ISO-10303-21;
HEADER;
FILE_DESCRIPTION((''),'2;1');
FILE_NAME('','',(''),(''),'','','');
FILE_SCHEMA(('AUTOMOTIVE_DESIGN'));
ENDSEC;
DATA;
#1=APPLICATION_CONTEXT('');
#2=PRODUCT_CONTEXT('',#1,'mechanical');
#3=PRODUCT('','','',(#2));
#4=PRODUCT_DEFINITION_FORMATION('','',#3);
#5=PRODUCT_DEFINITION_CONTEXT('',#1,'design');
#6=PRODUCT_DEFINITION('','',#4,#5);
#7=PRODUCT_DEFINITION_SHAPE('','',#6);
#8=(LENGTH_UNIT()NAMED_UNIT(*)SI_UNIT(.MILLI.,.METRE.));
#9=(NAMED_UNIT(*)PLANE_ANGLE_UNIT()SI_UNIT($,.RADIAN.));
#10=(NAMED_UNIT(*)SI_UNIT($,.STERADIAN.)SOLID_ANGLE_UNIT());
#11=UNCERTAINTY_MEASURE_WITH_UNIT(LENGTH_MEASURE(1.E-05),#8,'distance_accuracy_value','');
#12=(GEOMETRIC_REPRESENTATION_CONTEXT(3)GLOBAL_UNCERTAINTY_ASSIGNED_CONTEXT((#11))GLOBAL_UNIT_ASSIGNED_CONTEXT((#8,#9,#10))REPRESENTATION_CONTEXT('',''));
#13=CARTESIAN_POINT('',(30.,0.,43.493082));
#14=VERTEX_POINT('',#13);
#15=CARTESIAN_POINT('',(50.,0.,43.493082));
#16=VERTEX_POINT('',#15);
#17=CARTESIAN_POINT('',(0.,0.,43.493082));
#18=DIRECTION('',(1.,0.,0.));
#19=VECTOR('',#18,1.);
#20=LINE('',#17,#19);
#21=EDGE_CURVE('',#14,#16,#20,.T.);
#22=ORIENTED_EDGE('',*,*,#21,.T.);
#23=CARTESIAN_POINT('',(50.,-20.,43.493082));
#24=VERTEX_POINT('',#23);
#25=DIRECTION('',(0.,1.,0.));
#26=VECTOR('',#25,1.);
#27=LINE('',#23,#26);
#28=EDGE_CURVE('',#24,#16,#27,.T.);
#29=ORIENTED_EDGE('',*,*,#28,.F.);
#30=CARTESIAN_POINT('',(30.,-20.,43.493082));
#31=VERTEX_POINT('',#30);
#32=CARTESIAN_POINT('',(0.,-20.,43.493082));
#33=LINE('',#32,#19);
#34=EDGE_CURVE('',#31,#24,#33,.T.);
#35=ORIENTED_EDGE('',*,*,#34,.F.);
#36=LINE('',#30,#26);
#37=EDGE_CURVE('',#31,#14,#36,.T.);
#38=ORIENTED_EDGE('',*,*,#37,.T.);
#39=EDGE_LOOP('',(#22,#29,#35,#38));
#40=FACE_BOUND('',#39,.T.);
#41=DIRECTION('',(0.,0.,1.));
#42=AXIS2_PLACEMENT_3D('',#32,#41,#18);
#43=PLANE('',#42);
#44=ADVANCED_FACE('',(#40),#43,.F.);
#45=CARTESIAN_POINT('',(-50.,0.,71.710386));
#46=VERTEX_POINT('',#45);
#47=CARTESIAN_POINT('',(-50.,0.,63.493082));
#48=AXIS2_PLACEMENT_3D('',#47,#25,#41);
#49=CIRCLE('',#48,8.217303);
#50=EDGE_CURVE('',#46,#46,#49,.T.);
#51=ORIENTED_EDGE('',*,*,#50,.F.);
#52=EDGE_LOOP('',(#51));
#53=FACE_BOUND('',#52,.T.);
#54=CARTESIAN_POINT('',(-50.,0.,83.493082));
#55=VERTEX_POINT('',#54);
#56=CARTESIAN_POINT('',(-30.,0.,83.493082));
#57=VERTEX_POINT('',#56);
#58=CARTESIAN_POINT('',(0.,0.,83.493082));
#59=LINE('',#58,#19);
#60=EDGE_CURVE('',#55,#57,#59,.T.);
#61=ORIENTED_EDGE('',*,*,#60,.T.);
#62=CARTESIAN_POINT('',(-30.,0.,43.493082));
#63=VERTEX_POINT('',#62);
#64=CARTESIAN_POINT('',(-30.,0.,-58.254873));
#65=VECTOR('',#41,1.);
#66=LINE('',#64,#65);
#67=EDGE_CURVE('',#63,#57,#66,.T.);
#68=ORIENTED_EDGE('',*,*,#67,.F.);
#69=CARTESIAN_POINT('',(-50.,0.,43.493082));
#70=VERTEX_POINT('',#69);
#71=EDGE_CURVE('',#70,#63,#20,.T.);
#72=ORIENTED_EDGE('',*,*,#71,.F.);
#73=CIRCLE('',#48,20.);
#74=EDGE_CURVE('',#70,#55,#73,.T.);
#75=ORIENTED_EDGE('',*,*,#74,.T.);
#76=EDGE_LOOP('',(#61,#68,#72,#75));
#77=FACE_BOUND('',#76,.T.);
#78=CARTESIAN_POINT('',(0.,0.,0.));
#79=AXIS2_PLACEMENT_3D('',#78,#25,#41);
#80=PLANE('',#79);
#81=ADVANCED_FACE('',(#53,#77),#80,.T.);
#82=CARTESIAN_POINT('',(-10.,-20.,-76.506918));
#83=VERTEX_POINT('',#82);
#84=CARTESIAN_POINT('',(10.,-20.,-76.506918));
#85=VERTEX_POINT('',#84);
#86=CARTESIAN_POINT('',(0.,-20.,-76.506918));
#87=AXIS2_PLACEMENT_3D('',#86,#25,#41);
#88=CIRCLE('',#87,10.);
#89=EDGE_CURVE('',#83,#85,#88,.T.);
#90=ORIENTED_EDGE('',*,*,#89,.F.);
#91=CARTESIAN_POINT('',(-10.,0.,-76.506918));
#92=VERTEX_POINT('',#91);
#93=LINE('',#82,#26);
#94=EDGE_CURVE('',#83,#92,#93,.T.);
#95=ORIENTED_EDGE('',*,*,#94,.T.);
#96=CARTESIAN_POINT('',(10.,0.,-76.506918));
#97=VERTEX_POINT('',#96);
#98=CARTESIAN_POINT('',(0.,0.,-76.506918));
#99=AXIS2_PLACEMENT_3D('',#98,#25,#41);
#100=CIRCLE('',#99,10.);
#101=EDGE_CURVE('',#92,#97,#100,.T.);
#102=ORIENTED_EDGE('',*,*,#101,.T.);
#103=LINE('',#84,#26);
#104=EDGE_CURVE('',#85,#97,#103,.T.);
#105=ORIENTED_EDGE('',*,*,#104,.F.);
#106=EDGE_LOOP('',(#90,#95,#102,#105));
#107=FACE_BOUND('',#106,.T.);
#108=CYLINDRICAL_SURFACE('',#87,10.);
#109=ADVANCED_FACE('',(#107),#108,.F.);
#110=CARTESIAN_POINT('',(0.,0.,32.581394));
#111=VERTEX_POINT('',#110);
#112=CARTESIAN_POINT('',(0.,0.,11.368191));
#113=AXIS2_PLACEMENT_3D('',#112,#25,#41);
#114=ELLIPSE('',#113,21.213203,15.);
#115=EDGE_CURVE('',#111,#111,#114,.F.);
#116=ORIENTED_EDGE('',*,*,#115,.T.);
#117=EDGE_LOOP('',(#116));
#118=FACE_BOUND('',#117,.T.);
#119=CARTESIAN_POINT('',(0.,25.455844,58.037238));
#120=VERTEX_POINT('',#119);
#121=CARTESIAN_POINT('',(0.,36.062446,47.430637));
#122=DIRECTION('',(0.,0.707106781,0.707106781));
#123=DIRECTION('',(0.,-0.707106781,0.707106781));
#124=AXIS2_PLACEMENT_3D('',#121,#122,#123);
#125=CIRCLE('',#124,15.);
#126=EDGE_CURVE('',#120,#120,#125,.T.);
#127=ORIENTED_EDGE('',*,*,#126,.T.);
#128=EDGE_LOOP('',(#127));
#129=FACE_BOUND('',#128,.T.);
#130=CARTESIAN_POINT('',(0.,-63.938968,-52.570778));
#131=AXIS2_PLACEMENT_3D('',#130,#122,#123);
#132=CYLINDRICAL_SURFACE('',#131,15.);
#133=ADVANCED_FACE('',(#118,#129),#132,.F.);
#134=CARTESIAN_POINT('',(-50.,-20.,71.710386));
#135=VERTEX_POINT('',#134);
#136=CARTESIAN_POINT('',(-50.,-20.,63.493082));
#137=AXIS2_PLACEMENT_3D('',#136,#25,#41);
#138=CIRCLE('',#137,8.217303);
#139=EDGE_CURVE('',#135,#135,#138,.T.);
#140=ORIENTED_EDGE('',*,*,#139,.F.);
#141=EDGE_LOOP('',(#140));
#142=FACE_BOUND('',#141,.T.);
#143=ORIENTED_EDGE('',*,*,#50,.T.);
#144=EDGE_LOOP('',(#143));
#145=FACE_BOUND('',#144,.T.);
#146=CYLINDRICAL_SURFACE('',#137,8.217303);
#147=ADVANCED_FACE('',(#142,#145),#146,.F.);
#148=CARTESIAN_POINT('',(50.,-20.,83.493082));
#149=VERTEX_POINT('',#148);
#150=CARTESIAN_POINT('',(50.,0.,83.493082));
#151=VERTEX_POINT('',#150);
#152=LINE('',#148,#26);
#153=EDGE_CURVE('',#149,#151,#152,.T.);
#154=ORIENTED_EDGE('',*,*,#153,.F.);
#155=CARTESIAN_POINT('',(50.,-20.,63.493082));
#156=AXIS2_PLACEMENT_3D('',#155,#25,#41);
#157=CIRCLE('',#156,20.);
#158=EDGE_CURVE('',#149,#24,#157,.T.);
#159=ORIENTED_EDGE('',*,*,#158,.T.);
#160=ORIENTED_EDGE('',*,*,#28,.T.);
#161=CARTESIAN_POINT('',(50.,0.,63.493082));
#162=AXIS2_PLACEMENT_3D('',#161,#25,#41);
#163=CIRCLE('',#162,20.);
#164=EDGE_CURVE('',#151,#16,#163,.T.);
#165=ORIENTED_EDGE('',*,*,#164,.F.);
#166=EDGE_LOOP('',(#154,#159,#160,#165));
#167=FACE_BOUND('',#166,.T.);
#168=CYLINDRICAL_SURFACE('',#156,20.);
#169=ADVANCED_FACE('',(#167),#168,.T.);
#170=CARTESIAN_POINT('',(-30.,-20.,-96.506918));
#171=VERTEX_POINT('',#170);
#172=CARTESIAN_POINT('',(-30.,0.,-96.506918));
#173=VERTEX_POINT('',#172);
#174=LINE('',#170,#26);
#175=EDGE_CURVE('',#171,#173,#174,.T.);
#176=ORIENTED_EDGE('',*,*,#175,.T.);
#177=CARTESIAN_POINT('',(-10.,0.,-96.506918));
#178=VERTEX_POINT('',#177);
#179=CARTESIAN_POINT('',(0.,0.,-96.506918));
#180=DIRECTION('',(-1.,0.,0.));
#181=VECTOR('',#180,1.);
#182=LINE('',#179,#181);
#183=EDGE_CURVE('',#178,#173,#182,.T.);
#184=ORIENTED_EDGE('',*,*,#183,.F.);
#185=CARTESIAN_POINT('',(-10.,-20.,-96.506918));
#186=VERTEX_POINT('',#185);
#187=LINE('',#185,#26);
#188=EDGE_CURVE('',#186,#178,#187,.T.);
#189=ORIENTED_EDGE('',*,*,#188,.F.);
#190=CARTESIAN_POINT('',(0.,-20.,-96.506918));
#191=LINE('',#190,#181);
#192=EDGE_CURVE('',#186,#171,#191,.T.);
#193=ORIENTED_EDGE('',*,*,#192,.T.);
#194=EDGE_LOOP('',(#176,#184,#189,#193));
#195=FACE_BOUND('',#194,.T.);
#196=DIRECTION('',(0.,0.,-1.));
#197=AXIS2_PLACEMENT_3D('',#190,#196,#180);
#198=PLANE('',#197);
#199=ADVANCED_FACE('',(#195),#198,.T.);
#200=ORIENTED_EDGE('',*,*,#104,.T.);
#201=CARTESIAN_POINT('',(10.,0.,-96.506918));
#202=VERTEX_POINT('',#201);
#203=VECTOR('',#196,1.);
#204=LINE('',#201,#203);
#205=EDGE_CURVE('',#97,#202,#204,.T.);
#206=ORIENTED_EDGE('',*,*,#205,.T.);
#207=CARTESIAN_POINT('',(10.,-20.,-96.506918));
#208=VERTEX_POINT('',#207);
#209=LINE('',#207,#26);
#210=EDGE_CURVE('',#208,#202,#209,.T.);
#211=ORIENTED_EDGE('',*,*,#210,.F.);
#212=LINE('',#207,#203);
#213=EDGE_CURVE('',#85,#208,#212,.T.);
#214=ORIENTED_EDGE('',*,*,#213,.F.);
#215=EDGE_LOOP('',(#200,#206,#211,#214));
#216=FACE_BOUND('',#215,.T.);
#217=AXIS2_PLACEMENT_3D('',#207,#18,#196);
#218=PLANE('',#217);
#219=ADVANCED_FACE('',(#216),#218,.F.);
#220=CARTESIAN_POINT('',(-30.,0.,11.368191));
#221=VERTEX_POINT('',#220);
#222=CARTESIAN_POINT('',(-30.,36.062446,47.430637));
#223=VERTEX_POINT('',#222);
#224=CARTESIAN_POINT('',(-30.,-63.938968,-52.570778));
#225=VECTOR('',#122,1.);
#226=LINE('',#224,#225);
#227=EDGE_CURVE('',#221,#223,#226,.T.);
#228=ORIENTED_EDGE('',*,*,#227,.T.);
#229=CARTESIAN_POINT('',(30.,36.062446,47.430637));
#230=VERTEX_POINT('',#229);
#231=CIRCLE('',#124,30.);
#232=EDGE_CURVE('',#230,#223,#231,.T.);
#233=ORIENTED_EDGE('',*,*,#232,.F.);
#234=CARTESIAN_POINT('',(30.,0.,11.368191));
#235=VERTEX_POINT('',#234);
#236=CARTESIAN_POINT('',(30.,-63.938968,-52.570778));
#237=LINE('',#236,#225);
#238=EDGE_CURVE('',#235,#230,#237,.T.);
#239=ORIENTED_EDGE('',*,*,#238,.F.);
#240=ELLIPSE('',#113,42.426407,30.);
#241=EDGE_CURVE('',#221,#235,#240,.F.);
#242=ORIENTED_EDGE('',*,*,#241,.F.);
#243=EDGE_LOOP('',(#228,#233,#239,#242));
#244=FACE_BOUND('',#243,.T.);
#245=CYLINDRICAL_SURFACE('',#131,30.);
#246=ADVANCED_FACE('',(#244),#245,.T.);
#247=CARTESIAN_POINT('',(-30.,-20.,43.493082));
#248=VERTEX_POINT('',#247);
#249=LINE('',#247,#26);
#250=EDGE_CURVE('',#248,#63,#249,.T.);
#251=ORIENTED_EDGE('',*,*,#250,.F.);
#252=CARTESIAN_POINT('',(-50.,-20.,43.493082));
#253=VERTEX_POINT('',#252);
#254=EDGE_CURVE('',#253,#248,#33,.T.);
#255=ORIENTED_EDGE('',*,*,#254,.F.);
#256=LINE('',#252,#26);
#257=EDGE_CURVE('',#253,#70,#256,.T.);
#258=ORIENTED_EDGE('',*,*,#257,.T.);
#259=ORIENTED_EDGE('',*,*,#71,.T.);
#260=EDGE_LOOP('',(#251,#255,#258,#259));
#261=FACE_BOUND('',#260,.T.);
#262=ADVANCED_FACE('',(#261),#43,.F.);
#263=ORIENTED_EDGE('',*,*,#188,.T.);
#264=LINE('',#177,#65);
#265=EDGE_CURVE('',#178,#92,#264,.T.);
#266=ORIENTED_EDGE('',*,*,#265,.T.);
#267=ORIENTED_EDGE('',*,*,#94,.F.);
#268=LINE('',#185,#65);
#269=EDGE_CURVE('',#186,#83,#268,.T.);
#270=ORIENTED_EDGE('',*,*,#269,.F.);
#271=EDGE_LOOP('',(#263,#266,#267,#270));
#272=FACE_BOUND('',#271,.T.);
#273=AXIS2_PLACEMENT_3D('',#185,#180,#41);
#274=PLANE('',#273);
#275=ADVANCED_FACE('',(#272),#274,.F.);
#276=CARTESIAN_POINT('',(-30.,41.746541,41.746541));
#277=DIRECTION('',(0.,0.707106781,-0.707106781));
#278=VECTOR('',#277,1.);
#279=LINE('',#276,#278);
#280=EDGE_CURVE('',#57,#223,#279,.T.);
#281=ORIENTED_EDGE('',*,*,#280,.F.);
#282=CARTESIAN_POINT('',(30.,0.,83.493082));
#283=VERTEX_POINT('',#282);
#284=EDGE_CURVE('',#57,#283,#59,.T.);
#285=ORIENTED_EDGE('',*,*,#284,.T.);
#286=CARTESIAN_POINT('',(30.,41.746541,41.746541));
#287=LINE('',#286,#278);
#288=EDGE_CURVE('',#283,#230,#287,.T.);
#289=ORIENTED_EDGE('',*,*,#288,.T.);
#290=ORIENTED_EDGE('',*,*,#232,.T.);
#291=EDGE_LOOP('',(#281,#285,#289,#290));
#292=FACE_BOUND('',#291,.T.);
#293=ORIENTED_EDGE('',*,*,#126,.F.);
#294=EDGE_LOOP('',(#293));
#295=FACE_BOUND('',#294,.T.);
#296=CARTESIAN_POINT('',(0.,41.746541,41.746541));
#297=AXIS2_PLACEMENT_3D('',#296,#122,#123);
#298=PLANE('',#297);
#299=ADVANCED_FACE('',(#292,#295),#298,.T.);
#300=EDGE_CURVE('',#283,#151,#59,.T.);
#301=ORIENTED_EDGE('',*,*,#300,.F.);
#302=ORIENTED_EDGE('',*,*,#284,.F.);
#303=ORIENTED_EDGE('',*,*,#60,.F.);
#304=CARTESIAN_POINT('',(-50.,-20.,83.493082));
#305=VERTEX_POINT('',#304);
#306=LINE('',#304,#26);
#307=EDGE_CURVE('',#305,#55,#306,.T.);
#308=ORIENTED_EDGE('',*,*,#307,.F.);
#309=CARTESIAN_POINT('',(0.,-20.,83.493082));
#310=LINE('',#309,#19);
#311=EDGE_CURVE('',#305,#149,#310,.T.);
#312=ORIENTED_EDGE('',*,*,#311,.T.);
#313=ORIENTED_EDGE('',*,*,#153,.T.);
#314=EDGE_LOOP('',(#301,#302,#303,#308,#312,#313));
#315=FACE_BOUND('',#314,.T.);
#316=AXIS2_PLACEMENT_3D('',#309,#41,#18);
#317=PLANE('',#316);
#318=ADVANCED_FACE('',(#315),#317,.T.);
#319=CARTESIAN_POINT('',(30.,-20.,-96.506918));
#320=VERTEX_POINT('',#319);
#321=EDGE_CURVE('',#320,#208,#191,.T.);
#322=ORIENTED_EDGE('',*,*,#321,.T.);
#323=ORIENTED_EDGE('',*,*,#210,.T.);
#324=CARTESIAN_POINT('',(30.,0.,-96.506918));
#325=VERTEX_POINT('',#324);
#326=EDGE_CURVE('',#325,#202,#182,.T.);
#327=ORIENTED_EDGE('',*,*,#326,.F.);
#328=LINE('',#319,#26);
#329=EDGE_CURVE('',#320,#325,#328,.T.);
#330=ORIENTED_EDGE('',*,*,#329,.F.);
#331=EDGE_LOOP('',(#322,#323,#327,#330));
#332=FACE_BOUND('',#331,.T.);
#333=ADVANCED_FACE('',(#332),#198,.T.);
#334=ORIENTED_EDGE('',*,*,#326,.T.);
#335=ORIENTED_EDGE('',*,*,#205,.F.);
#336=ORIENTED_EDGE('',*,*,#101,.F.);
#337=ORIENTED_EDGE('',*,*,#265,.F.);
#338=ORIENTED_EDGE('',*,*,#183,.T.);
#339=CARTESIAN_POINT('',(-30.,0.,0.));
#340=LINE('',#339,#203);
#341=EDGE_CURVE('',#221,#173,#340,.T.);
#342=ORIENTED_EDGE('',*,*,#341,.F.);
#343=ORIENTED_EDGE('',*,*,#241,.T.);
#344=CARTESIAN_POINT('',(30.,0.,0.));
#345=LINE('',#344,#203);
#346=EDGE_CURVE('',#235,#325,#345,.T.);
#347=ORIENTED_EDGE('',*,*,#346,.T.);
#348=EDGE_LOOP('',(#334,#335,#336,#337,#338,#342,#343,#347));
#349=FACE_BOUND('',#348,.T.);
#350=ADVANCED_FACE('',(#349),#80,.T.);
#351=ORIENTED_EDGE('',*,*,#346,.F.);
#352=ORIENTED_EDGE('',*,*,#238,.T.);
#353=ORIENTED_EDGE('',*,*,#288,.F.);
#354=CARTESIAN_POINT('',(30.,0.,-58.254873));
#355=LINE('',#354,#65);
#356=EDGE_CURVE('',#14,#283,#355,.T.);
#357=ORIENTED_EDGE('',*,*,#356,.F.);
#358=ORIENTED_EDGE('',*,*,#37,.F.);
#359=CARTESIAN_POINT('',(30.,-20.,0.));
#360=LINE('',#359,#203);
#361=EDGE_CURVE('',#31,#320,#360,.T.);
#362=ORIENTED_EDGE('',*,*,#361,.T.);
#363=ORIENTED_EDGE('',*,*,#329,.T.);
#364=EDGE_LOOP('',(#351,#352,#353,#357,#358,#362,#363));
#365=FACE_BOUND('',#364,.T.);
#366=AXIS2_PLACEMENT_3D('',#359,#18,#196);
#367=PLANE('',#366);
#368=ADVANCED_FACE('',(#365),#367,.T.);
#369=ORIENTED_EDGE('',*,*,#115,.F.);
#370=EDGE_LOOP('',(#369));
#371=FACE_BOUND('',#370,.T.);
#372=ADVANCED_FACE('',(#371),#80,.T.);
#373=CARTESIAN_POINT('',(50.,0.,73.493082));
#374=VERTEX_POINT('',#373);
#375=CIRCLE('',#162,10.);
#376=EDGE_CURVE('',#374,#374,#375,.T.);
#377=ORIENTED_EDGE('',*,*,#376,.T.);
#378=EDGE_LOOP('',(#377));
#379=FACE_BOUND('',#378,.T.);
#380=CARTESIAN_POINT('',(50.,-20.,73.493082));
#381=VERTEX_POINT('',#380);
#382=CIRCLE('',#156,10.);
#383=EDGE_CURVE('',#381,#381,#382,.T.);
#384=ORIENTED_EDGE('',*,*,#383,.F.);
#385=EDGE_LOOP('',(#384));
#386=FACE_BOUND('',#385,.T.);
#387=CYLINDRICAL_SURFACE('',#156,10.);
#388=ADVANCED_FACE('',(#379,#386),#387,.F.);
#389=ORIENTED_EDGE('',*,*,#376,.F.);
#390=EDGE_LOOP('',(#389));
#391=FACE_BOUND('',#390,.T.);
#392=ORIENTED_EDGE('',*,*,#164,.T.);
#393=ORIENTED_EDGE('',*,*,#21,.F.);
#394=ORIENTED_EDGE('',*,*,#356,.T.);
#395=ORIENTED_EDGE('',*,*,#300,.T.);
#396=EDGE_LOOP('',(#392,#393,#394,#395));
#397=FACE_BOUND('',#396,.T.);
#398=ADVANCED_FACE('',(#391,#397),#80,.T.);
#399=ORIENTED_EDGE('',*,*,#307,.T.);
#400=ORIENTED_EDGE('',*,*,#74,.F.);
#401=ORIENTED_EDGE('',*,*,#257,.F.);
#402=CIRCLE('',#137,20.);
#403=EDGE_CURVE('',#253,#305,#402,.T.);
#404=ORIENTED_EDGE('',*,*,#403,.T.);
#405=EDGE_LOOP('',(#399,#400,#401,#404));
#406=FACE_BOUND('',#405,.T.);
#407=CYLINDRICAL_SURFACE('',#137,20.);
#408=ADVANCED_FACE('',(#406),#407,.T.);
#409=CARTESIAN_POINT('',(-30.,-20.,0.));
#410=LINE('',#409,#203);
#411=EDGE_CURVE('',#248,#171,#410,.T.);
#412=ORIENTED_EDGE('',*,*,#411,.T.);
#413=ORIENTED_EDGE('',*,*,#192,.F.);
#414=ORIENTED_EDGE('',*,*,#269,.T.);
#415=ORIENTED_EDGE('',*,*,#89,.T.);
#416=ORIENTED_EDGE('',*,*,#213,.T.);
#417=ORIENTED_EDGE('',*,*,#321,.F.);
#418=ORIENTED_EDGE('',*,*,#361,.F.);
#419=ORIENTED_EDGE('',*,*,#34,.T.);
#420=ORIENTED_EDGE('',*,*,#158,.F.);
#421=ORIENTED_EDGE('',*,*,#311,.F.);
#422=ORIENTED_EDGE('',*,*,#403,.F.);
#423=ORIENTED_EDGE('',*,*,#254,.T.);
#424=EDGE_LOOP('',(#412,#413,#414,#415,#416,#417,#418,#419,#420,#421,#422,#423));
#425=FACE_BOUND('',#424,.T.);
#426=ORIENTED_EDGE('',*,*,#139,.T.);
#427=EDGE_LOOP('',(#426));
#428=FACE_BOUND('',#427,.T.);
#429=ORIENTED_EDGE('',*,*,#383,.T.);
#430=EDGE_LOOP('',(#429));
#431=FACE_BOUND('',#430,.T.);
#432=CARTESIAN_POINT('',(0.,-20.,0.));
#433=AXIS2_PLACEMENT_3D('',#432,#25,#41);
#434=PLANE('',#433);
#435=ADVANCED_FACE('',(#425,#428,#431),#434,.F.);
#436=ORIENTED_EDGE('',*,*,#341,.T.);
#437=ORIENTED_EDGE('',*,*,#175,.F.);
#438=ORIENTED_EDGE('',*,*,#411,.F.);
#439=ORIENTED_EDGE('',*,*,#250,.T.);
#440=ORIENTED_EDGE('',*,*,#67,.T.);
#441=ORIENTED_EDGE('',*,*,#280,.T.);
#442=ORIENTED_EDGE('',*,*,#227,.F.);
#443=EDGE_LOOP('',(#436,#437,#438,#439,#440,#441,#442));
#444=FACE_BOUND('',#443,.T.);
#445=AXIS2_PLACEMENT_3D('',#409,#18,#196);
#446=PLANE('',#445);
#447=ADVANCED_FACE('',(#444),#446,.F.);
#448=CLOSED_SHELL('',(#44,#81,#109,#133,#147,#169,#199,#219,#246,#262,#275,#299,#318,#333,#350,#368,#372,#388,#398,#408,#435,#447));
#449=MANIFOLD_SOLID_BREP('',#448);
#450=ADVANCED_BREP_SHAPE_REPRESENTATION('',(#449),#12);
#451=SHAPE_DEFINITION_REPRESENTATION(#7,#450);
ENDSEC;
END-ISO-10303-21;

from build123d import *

# Parameters (mm, degrees)
SKETCH1_R           = 20
SKETCH1_R_2         = 8.217303111
SKETCH1_R_3         = 10
BOSS_EXTRUDE1_DEPTH = 20
CUT_EXTRUDE1_DEPTH  = 20
BOSS_EXTRUDE2_REACH = 168.813


with BuildPart() as part:
    # Sketch1 → Boss-Extrude1 (new body)
    # profile 1 of 3: a face of its own
    with BuildSketch(Plane(origin=(0, 0, 0), x_dir=(1, 0, 0), z_dir=(0, 1, 0))):
        with Locations((-50, -63.493082487)):
            Circle(SKETCH1_R)
        with Locations(Location((-50, -63.493082487, 0), (0, 0, 270))):
            Circle(SKETCH1_R_2, mode=Mode.SUBTRACT)
    # profile 2 of 3: a face of its own
    with BuildSketch(Plane(origin=(0, 0, 0), x_dir=(1, 0, 0), z_dir=(0, 1, 0))):
        with Locations((50, -63.493082487)):
            Circle(SKETCH1_R)
        with Locations(Location((50, -63.493082487, 0), (0, 0, 270))):
            Circle(SKETCH1_R_3, mode=Mode.SUBTRACT)
    # profile 3 of 3: a face of its own
    with BuildSketch(Plane(origin=(0, 0, 0), x_dir=(1, 0, 0), z_dir=(0, 1, 0))):
        with BuildLine():
            Line((50, -43.493082487), (30, -43.493082487))
            Line((30, -43.493082487), (30, 96.506917513))
            Line((30, 96.506917513), (-30, 96.506917513))
            Line((-30, 96.506917513), (-30, -43.493082487))
            Line((-30, -43.493082487), (-50, -43.493082487))
            ThreePointArc((-50, -43.493082487), (-35.857864376, -49.350946863), (-30, -63.493082487))
            ThreePointArc((-30, -63.493082487), (-35.857864376, -77.635218111), (-50, -83.493082487))
            Line((-50, -83.493082487), (50, -83.493082487))
            ThreePointArc((50, -83.493082487), (30, -63.493082487), (50, -43.493082487))
        make_face()
    extrude(amount=-BOSS_EXTRUDE1_DEPTH)

    # Sketch2 → Cut-Extrude1 (cut)
    with BuildSketch(Plane(origin=(0, 0, 0), x_dir=(1, 0, 0), z_dir=(0, 1, 0))):
        with BuildLine():
            Line((-10, 96.506917513), (10, 96.506917513))
            Line((10, 96.506917513), (10, 76.506917513))
            ThreePointArc((10, 76.506917513), (0, 66.506917513), (-10, 76.506917513))
            Line((-10, 76.506917513), (-10, 96.506917513))
        make_face()
    extrude(amount=-CUT_EXTRUDE1_DEPTH, mode=Mode.SUBTRACT)

    # Sketch5 → Boss-Extrude2 (add, up to next)
    with BuildSketch(Plane(origin=(0, 41.746541244, 41.746541244), x_dir=(1, 0, 0), z_dir=(0, 0.7071067811865511, 0.707106781186544)), mode=Mode.PRIVATE) as boss_extrude2_sk1:
        with BuildLine():
            Line((-30, -8.038524809), (-30, -59.038524809))
            Line((-30, -59.038524809), (30, -59.038524809))
            Line((30, -59.038524809), (30, -8.038524809))
            ThreePointArc((30, -8.038524809), (0, -38.038524809), (-30, -8.038524809))
        make_face()
    boss_extrude2_tool1 = extrude(boss_extrude2_sk1.sketch, amount=-BOSS_EXTRUDE2_REACH, mode=Mode.PRIVATE) - part.part
    # Sketch5 → Boss-Extrude2 (add, up to next)
    with BuildSketch(Plane(origin=(0, 41.746541244, 41.746541244), x_dir=(1, 0, 0), z_dir=(0, 0.7071067811865511, 0.707106781186544)), mode=Mode.PRIVATE) as boss_extrude2_sk2:
        with BuildLine():
            ThreePointArc((30, -8.038524809), (0, 21.961475191), (-30, -8.038524809))
            Line((-30, -8.038524809), (-15, -8.038524809))
            ThreePointArc((-15, -8.038524809), (0, 6.961475191), (15, -8.038524809))
            Line((15, -8.038524809), (30, -8.038524809))
        make_face()
    boss_extrude2_tool2 = extrude(boss_extrude2_sk2.sketch, amount=-BOSS_EXTRUDE2_REACH, mode=Mode.PRIVATE) - part.part
    # Sketch5 → Boss-Extrude2 (add, up to next)
    with BuildSketch(Plane(origin=(0, 41.746541244, 41.746541244), x_dir=(1, 0, 0), z_dir=(0, 0.7071067811865511, 0.707106781186544)), mode=Mode.PRIVATE) as boss_extrude2_sk3:
        with BuildLine():
            Line((-15, -8.038524809), (-30, -8.038524809))
            ThreePointArc((-30, -8.038524809), (0, -38.038524809), (30, -8.038524809))
            Line((30, -8.038524809), (15, -8.038524809))
            ThreePointArc((15, -8.038524809), (0, -23.038524809), (-15, -8.038524809))
        make_face()
    boss_extrude2_tool3 = extrude(boss_extrude2_sk3.sketch, amount=-BOSS_EXTRUDE2_REACH, mode=Mode.PRIVATE) - part.part
    # Sketch5 → Boss-Extrude2 (add, up to next)
    with BuildSketch(Plane(origin=(0, 41.746541244, 41.746541244), x_dir=(1, 0, 0), z_dir=(0, 0.7071067811865511, 0.707106781186544)), mode=Mode.PRIVATE) as boss_extrude2_sk4:
        with BuildLine():
            ThreePointArc((30, -8.038524809), (0, 21.961475191), (-30, -8.038524809))
            Line((-30, -8.038524809), (-15, -8.038524809))
            ThreePointArc((-15, -8.038524809), (0, 6.961475191), (15, -8.038524809))
            Line((15, -8.038524809), (30, -8.038524809))
        make_face()
    boss_extrude2_tool4 = extrude(boss_extrude2_sk4.sketch, amount=-BOSS_EXTRUDE2_REACH, mode=Mode.PRIVATE) - part.part
    # Sketch5 → Boss-Extrude2 (add, up to next)
    with BuildSketch(Plane(origin=(0, 41.746541244, 41.746541244), x_dir=(1, 0, 0), z_dir=(0, 0.7071067811865511, 0.707106781186544)), mode=Mode.PRIVATE) as boss_extrude2_sk5:
        with BuildLine():
            Line((-15, -8.038524809), (-30, -8.038524809))
            ThreePointArc((-30, -8.038524809), (0, -38.038524809), (30, -8.038524809))
            Line((30, -8.038524809), (15, -8.038524809))
            ThreePointArc((15, -8.038524809), (0, -23.038524809), (-15, -8.038524809))
        make_face()
    boss_extrude2_tool5 = extrude(boss_extrude2_sk5.sketch, amount=-BOSS_EXTRUDE2_REACH, mode=Mode.PRIVATE) - part.part
    add(boss_extrude2_tool1.solids().sort_by_distance((0, 10.278536, 73.214546))[0])
    add(boss_extrude2_tool2.solids().sort_by_distance((0, 47.143389, 36.349693))[0])
    add(boss_extrude2_tool3.solids().sort_by_distance((22.5, 35.588104, 47.904978))[0])
    add(boss_extrude2_tool4.solids().sort_by_distance((0, 47.143389, 36.349693))[0])
    add(boss_extrude2_tool5.solids().sort_by_distance((22.5, 35.588104, 47.904978))[0])


solid = part.part
